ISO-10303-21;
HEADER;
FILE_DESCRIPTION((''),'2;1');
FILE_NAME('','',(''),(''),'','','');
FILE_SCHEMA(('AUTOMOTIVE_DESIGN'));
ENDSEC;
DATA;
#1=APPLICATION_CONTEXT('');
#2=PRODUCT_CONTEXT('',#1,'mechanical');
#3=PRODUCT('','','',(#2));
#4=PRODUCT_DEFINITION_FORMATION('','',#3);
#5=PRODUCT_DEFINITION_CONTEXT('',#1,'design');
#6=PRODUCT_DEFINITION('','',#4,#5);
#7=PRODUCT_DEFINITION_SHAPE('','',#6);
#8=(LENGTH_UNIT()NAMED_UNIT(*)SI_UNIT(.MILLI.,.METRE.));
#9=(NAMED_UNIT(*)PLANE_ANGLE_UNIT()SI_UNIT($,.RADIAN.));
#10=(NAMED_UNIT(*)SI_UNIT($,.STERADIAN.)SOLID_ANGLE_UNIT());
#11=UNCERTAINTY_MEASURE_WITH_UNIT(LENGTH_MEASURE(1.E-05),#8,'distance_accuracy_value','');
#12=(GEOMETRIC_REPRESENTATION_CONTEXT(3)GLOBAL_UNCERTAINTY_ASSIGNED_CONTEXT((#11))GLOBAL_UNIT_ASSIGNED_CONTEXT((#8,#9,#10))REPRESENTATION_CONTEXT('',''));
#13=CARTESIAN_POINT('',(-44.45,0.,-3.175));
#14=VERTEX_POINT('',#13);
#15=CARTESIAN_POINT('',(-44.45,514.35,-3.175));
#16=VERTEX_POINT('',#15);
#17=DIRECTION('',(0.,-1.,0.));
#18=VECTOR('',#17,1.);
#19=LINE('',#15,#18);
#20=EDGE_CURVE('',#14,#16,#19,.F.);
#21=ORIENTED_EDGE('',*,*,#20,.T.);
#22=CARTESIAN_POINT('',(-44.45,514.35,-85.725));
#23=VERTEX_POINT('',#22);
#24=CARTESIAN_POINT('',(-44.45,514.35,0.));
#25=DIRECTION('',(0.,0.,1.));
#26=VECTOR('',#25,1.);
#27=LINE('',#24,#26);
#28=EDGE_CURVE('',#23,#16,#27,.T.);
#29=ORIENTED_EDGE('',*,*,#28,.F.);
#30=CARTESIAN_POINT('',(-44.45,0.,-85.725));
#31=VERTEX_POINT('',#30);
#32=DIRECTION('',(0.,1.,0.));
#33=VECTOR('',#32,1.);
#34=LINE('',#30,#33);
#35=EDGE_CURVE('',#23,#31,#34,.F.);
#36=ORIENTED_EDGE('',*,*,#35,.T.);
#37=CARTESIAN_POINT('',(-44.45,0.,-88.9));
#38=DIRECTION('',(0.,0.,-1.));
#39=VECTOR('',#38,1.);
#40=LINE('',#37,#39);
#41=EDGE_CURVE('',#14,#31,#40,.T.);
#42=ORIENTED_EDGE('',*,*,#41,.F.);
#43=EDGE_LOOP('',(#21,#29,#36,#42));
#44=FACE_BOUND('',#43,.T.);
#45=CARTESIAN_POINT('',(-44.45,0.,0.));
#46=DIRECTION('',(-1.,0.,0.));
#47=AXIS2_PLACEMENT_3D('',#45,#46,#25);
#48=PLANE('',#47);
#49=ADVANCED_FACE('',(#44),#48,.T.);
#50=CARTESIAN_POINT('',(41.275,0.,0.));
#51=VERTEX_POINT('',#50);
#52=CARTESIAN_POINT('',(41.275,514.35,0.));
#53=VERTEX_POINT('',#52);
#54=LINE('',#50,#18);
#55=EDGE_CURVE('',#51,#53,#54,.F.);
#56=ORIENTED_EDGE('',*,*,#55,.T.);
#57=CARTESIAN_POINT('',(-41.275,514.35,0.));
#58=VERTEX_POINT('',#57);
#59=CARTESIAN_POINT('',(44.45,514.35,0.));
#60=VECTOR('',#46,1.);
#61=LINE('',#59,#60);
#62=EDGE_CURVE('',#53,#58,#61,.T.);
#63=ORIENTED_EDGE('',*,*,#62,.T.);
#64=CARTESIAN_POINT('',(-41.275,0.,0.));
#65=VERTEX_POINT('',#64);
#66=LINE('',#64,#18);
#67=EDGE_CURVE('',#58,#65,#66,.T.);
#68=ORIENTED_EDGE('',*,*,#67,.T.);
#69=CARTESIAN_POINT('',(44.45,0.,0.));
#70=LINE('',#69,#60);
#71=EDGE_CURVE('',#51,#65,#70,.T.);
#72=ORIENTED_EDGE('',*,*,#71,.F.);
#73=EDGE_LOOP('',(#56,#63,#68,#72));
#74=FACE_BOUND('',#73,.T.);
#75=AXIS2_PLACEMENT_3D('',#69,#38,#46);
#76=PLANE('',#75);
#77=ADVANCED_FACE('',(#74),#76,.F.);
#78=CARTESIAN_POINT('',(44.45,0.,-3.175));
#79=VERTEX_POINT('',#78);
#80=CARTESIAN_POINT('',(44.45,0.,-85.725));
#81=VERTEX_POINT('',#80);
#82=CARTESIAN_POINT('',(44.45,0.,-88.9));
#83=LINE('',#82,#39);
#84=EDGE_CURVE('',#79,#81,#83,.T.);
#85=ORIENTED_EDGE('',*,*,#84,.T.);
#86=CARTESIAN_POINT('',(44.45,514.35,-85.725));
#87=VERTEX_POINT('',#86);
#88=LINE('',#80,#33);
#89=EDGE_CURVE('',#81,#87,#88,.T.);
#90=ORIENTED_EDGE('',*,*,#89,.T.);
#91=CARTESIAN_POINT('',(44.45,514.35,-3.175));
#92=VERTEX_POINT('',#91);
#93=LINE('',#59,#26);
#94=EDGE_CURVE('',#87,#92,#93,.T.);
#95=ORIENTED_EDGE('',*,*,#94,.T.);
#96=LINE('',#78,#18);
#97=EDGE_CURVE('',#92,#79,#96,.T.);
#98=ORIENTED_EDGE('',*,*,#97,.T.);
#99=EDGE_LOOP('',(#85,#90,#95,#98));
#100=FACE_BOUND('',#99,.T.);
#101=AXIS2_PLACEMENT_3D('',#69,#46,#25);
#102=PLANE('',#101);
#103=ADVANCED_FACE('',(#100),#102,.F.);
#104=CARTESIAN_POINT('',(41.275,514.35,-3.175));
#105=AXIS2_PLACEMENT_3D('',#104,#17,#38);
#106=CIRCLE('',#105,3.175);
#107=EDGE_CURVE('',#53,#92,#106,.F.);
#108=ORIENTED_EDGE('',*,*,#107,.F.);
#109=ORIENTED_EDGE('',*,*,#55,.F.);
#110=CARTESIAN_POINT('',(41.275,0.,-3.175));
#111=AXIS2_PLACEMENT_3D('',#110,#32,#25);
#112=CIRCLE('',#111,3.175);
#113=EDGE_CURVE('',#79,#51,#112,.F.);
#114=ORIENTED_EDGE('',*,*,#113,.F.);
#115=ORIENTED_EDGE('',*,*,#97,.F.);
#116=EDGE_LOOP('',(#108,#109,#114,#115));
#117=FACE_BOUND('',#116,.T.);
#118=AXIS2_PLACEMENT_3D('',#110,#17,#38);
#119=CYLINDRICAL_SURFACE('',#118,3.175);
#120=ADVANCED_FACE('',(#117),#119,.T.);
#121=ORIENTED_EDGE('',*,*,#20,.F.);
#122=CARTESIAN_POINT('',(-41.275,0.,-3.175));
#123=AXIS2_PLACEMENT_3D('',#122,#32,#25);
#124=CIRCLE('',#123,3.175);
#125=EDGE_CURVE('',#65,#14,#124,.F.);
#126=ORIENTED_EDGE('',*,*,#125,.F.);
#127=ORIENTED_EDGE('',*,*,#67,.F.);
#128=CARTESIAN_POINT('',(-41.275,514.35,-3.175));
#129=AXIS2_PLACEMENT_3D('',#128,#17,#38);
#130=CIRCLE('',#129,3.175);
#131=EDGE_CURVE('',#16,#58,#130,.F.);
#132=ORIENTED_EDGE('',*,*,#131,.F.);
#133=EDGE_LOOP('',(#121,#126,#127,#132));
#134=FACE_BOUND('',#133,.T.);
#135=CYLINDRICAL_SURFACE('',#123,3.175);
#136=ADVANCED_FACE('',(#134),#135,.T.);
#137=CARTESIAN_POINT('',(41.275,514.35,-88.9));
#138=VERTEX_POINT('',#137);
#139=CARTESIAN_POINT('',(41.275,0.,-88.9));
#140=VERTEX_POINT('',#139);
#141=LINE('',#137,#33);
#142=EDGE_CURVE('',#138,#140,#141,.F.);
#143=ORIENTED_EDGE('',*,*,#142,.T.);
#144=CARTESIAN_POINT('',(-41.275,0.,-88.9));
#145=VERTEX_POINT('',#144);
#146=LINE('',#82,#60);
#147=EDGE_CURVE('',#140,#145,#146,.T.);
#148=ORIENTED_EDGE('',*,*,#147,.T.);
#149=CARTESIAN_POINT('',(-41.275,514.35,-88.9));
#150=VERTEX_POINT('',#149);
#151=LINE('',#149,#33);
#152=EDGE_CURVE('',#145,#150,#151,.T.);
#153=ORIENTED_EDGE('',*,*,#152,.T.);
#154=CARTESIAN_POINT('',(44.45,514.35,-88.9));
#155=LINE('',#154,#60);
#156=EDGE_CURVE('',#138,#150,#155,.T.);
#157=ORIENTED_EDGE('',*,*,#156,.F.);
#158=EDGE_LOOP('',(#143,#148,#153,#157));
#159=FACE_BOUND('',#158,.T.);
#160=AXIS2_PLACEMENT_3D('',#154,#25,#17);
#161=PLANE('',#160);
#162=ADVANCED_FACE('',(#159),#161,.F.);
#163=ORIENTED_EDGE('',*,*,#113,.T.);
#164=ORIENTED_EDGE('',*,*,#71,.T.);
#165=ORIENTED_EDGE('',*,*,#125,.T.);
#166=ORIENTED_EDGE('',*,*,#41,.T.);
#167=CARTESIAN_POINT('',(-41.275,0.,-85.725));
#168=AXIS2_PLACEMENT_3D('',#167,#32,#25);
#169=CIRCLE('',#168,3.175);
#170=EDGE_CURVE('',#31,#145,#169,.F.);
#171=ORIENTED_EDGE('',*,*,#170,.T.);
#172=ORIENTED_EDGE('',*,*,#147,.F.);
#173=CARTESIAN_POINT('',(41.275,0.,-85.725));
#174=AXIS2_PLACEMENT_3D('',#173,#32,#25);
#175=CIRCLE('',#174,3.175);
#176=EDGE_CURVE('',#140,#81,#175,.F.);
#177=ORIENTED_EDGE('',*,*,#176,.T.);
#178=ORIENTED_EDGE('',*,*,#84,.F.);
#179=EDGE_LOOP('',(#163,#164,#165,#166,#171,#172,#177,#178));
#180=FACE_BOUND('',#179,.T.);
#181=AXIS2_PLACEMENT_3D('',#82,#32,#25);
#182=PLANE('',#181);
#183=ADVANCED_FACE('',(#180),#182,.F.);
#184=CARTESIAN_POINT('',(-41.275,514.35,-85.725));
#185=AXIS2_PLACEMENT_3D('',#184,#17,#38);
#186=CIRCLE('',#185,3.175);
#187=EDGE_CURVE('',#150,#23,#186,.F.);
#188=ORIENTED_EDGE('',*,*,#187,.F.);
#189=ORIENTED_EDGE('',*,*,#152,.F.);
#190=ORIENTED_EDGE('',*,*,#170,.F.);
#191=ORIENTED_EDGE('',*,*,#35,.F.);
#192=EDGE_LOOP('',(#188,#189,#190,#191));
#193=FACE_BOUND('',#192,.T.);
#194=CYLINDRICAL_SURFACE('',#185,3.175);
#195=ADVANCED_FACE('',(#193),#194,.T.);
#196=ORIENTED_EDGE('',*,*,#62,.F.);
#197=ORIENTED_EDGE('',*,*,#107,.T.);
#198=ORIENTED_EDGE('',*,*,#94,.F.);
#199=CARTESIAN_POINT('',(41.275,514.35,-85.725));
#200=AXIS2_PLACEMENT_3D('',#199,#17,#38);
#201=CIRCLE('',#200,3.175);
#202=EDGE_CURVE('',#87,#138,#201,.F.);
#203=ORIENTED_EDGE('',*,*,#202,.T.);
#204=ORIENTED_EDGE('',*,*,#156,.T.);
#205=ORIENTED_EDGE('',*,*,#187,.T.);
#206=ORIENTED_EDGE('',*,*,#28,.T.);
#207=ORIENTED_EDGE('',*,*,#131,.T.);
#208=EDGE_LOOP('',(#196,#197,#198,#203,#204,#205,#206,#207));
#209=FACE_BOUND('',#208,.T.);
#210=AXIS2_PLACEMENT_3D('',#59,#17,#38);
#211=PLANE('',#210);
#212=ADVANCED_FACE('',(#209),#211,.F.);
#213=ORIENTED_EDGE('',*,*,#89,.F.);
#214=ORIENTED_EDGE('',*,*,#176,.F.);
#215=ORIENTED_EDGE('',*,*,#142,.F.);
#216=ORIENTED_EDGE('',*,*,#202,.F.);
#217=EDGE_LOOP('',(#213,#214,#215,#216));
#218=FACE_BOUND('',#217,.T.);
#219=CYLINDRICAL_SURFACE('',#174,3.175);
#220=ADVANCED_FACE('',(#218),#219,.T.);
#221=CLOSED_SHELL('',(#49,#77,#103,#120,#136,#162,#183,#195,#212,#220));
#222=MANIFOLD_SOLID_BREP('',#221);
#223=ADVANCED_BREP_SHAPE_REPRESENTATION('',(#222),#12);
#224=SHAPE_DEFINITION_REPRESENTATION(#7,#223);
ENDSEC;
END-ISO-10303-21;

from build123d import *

# Parameters (mm, degrees)
SKETCH1_W           = 88.9
SKETCH1_H           = 514.35
BOSS_EXTRUDE1_DEPTH = 44.45
FILLET1_R           = 3.175


with BuildPart() as part:
    # Sketch1 → Boss-Extrude1 (new, symmetric)
    with BuildSketch(Plane(origin=(0, 0, 0), x_dir=(0, 0, -1), z_dir=(1, 0, 0))):
        with Locations((44.45, 257.175)):
            Rectangle(SKETCH1_W, SKETCH1_H)
    extrude(amount=BOSS_EXTRUDE1_DEPTH, both=True)

    # Fillet1
    fillet1_edges = [part.edges().sort_by_distance(p)[0] for p in [
        (44.45, 257.175, 0),
        (-44.45, 257.175, 0),
        (-44.45, 257.175, -88.9),
        (44.45, 257.175, -88.9),
    ]]
    fillet(fillet1_edges, radius=FILLET1_R)


solid = part.part
